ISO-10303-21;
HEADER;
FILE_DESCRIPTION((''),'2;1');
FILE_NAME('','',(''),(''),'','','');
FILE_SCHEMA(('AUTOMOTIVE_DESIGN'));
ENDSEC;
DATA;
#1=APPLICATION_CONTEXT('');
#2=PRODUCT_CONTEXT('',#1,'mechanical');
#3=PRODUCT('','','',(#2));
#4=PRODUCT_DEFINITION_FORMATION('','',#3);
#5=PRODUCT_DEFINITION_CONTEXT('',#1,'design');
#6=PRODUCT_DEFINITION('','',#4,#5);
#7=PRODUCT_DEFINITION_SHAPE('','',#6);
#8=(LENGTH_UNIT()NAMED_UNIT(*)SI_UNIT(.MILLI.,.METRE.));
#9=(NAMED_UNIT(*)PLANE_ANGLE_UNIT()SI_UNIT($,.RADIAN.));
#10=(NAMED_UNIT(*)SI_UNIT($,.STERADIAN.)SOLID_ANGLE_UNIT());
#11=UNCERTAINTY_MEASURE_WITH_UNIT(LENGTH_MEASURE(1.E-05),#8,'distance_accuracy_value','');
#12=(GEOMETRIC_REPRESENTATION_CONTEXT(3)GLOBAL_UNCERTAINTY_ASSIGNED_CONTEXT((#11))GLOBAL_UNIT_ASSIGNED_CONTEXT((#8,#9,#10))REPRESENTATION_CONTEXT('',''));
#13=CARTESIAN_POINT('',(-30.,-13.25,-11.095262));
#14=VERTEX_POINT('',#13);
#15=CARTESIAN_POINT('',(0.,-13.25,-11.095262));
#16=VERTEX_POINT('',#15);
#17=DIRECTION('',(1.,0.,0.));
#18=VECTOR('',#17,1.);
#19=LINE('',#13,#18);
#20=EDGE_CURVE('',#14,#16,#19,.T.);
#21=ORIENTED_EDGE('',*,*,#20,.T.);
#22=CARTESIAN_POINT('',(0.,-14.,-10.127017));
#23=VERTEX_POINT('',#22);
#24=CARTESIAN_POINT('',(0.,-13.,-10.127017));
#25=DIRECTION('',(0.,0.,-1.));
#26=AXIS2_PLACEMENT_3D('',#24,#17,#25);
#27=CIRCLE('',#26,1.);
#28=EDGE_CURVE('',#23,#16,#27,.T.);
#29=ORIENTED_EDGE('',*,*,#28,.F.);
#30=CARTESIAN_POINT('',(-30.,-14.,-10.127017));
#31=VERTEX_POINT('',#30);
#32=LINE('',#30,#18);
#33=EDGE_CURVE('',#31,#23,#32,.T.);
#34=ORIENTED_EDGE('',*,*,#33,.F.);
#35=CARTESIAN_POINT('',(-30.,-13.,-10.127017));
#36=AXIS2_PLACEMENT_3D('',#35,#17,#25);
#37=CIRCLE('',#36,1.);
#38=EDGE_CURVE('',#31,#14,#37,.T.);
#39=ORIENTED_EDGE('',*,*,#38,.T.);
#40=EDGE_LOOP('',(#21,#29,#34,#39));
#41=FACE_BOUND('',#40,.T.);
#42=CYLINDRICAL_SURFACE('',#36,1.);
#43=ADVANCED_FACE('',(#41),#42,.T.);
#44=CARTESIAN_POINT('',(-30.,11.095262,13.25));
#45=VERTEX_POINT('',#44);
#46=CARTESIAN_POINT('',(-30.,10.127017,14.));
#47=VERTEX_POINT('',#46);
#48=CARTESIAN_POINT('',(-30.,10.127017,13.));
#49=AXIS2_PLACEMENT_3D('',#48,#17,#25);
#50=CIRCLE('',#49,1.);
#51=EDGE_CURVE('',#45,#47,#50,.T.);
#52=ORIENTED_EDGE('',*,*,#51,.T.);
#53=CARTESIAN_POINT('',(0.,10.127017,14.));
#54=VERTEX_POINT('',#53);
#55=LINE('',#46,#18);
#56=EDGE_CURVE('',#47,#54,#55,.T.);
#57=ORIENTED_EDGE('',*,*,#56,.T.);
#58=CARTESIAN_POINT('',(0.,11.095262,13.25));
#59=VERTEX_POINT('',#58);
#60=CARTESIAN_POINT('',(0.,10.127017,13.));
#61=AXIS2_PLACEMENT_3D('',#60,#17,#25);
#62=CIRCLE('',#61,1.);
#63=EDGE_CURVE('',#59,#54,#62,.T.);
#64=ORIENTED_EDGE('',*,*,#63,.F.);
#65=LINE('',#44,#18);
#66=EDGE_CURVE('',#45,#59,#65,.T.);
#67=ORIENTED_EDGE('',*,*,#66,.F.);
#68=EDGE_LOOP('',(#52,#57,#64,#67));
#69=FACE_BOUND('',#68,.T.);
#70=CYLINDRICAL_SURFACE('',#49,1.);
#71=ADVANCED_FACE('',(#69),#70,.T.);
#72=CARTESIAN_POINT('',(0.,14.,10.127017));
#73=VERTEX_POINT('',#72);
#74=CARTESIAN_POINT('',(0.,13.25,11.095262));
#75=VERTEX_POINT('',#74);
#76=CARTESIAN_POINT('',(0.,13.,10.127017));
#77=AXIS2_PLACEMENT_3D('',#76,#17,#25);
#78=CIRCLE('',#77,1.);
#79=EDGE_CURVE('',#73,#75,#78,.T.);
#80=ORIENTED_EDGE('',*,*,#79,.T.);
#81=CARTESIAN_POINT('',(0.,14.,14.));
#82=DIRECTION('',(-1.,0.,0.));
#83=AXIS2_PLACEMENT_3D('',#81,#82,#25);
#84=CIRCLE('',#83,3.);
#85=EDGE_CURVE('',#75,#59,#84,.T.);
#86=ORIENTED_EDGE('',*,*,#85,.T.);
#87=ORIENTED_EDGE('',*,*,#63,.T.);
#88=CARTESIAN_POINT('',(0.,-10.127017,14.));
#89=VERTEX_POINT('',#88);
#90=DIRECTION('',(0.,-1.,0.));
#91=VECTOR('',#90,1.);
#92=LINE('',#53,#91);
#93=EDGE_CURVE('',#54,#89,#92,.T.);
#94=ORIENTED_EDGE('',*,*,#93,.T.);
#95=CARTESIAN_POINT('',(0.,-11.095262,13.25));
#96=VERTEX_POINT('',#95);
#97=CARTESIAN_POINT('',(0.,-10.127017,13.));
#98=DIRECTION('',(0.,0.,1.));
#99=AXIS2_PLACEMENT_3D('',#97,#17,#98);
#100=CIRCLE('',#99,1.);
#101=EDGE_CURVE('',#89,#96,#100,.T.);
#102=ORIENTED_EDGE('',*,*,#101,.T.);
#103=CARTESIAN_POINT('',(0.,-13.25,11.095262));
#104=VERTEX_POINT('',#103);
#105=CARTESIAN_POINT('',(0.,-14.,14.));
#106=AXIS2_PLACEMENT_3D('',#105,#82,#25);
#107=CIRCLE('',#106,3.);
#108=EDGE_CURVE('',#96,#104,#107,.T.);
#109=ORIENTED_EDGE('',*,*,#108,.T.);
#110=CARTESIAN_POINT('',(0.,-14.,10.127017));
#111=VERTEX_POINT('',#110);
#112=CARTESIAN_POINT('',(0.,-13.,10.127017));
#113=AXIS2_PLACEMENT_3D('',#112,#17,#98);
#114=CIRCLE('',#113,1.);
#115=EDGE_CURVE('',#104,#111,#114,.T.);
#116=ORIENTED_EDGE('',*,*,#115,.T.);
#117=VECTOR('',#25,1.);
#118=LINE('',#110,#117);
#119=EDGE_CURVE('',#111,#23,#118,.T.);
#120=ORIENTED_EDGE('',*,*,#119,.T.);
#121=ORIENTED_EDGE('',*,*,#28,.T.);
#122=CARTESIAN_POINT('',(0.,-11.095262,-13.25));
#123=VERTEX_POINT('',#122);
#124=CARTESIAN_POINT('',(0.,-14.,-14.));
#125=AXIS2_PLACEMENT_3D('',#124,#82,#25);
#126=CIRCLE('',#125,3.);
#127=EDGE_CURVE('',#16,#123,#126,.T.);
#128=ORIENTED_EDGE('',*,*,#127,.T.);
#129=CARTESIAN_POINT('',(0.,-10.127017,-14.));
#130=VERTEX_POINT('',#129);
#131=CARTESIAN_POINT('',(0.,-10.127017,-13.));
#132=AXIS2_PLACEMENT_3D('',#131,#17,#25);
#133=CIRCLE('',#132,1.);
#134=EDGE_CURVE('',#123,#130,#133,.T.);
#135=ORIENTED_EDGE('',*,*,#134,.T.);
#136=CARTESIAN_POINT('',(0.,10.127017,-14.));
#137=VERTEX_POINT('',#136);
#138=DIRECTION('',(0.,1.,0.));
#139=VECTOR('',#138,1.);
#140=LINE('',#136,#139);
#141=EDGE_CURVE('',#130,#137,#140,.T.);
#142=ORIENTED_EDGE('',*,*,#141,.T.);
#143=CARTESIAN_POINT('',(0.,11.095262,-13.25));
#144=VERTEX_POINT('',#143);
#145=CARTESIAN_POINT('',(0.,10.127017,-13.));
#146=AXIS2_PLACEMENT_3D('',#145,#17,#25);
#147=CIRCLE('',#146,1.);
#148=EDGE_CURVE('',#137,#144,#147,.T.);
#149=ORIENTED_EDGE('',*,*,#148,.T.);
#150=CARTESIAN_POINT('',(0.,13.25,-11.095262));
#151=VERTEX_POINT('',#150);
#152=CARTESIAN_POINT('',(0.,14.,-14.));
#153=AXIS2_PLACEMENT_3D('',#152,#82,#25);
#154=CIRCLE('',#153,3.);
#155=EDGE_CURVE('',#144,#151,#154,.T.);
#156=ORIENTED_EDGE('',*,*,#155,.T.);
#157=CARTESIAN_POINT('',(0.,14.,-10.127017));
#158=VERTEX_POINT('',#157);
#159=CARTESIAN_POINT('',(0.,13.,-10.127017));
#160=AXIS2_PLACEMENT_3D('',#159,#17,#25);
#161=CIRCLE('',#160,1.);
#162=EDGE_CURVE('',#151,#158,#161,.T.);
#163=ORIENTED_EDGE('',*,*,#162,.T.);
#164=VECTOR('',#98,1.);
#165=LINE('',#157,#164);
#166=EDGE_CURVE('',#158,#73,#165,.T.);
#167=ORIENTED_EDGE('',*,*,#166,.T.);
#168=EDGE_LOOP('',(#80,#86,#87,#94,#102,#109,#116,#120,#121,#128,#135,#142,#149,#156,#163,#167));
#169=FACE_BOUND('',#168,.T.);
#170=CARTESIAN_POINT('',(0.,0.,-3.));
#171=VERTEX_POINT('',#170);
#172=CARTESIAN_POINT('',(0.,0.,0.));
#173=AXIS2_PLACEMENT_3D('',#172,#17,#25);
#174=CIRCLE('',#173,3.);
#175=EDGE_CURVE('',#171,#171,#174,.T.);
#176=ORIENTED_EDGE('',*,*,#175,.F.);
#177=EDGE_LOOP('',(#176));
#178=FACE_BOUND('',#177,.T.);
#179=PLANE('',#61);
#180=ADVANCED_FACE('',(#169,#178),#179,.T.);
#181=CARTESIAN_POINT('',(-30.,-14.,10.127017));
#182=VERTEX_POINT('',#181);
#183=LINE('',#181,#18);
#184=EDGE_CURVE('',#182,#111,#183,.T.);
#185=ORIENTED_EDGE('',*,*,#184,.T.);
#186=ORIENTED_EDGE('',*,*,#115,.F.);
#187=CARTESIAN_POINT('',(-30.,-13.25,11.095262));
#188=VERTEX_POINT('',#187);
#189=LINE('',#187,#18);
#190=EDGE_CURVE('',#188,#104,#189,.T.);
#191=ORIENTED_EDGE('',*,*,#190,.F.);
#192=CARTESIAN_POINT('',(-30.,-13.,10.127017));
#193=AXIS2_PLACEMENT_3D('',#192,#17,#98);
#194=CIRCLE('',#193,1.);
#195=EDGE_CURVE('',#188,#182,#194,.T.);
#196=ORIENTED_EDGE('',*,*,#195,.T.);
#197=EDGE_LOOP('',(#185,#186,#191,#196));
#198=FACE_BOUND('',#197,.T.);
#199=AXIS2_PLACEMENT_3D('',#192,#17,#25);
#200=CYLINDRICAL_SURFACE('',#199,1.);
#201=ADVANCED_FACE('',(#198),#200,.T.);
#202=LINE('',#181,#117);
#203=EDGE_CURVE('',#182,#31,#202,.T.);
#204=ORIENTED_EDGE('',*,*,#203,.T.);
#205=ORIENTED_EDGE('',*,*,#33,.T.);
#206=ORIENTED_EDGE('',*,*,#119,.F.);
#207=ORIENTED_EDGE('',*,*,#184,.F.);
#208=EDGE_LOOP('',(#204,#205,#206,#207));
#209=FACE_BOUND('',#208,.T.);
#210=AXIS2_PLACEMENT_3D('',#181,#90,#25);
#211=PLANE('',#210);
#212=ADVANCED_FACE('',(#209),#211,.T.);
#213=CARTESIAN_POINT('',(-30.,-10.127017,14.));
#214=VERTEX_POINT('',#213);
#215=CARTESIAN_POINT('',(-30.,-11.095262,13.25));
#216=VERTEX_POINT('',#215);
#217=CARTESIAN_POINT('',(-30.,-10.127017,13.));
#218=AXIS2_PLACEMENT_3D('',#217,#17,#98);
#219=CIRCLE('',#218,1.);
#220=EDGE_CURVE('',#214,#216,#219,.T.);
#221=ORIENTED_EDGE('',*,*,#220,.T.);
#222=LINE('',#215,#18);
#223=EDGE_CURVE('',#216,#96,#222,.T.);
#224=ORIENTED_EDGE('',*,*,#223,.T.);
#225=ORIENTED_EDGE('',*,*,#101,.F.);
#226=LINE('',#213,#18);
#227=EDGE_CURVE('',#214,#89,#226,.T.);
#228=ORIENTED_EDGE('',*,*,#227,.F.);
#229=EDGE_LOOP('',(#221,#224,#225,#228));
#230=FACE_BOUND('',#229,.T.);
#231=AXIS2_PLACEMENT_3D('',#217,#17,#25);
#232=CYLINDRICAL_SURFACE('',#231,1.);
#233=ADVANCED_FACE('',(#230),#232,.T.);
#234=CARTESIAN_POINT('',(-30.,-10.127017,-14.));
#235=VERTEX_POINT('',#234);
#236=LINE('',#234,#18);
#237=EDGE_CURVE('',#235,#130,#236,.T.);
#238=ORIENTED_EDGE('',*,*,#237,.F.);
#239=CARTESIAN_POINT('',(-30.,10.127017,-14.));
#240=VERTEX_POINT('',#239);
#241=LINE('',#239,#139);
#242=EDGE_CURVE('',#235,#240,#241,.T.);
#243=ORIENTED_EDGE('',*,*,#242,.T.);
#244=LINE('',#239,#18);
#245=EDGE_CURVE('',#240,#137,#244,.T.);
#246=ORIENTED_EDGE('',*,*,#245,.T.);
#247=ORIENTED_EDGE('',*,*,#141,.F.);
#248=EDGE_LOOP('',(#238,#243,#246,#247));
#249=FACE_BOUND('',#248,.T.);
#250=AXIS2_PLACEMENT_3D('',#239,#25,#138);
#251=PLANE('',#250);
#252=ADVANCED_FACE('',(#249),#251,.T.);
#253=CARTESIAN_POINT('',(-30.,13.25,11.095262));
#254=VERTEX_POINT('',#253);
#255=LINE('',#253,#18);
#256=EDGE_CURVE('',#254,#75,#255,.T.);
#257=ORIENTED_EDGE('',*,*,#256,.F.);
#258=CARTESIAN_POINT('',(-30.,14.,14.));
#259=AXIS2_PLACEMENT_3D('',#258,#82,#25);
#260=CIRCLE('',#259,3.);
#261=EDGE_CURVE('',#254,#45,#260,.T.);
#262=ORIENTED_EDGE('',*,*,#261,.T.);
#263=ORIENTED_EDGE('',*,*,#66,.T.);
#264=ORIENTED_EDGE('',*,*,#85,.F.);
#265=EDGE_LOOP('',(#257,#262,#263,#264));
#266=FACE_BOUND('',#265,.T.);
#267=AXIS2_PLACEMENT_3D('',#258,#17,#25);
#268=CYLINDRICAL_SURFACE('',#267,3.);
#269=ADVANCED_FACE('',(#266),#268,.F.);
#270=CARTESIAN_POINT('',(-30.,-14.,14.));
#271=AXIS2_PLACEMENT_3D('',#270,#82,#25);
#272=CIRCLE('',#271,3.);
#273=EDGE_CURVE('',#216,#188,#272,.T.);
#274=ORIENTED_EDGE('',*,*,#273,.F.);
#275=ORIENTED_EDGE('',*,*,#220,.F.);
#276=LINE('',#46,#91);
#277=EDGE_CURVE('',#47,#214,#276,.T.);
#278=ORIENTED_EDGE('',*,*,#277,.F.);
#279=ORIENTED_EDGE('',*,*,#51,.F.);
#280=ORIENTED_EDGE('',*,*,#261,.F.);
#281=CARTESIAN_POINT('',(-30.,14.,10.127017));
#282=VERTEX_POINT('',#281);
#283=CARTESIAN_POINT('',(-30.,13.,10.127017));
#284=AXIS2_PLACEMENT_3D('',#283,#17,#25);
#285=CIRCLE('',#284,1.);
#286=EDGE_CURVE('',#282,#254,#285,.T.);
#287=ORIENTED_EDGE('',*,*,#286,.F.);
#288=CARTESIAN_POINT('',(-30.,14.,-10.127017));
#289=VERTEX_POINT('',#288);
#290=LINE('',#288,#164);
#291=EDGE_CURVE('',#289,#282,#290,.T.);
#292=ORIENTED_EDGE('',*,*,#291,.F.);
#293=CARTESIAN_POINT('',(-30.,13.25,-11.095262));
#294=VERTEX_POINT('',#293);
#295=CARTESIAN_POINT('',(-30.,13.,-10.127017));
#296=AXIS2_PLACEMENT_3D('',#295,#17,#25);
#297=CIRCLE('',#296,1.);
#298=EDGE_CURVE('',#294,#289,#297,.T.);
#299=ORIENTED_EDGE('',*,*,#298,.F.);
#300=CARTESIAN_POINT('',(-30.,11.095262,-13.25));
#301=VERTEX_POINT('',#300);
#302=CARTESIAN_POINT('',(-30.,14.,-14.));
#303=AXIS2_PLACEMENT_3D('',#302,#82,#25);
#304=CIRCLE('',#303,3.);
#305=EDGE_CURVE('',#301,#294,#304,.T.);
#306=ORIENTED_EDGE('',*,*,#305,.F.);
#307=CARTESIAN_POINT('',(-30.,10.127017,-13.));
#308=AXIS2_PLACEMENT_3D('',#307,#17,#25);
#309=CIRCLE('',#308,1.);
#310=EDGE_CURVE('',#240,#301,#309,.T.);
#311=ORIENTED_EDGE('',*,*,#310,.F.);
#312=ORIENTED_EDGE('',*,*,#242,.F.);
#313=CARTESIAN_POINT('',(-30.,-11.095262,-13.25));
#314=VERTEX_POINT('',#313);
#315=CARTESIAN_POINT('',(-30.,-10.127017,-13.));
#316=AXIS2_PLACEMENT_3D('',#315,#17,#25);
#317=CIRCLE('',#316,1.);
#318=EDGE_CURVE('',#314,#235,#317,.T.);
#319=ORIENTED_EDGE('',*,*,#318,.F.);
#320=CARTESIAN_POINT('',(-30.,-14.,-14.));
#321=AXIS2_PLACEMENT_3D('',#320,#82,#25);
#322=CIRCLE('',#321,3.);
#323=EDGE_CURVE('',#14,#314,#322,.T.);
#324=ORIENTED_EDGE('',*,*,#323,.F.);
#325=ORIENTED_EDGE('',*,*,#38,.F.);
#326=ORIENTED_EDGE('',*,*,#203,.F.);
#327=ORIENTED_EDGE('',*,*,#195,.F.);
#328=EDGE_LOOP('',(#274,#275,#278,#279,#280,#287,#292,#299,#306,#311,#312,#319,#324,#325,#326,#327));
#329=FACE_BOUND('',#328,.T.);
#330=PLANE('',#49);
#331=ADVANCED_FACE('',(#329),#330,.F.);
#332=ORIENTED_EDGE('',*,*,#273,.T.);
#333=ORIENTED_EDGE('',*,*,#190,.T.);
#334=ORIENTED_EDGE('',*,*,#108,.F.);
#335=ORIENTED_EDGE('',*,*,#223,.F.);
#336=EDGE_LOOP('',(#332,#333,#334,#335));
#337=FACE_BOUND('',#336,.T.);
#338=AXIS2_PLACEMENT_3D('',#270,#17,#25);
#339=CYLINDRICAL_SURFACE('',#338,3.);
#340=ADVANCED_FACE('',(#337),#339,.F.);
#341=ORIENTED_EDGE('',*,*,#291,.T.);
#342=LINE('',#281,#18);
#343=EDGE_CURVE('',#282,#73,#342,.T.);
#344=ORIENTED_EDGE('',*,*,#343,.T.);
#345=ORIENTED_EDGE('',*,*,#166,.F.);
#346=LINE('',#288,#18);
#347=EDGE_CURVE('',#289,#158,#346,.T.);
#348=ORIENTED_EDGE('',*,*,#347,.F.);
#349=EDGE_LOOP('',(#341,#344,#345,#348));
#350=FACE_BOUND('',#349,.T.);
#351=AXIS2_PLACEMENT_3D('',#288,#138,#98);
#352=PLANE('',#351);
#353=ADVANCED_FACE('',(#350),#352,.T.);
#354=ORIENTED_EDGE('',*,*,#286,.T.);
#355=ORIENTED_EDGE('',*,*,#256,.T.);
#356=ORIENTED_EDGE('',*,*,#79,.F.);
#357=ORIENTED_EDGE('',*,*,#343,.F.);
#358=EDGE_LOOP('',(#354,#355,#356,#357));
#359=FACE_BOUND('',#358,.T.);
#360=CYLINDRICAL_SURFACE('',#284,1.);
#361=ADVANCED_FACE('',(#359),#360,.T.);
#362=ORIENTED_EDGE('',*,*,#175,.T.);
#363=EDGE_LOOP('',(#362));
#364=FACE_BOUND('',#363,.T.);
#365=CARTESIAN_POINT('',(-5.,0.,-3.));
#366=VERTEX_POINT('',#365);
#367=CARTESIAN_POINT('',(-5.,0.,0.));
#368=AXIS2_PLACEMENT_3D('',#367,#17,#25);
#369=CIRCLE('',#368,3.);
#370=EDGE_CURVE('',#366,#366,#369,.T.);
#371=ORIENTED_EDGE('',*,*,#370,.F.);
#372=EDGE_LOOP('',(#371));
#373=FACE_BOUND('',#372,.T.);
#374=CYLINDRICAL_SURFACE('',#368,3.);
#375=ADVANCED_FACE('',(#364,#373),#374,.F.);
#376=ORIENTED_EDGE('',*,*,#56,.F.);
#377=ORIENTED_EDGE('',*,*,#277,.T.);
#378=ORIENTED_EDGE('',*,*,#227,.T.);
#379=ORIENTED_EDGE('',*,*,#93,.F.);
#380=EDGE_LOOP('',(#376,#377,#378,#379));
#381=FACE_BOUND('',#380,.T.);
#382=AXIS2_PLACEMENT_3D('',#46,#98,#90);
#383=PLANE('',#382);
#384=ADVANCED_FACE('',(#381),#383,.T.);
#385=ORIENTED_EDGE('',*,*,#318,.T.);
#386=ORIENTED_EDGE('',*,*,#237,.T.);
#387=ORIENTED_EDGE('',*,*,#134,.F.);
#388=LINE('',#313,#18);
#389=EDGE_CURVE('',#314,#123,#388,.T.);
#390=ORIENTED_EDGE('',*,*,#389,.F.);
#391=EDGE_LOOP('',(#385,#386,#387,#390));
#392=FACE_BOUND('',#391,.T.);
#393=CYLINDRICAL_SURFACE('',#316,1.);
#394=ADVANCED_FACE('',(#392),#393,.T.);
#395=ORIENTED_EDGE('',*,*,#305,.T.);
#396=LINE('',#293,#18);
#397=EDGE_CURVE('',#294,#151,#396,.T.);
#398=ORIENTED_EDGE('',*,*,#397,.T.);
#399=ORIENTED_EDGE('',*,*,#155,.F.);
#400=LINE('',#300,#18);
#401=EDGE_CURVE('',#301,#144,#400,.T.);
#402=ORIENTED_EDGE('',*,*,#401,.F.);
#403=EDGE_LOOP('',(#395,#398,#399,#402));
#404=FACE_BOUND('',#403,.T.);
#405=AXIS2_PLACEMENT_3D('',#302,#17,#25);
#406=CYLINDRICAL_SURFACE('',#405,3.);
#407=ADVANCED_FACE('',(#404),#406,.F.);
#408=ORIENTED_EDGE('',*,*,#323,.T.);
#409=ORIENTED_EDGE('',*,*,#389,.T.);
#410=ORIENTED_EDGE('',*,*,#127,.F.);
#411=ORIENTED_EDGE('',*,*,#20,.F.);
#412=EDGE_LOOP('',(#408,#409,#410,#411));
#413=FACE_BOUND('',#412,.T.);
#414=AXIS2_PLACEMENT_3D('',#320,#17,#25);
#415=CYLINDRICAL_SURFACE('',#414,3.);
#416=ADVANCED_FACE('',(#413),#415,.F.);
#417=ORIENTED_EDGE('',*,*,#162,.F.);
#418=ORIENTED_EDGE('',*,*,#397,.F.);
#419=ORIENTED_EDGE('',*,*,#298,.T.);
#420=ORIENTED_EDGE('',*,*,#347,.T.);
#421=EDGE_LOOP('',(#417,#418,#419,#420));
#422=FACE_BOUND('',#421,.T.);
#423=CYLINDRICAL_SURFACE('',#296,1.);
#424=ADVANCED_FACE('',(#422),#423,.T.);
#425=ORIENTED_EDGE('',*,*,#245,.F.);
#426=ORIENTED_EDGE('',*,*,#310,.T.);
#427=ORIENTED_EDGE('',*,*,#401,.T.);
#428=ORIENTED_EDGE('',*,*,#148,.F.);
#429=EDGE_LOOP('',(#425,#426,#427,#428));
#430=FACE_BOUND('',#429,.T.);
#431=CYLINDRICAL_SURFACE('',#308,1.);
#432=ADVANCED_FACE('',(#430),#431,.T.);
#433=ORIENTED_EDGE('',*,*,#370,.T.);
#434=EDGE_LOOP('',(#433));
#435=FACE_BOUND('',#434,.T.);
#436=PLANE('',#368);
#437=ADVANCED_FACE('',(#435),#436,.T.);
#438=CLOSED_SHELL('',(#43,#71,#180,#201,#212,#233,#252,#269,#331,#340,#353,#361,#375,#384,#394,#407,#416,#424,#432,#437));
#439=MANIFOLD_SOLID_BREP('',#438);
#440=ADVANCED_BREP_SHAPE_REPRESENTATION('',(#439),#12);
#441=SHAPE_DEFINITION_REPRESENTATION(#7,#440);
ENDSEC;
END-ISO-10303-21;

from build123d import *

# Parameters (mm, degrees)
EXTRUDE_1_DEPTH     = 30
SKETCH_2_R          = 3
CUT_EXTRUDE_1_DEPTH = 5


with BuildPart() as part:
    # 草图1 → 凸台-拉伸1 (new body)
    with BuildSketch(Plane(origin=(0, 0, 0), x_dir=(0, 0, -1), z_dir=(1, 0, 0))):
        with BuildLine():
            Line((-14, 10.127016654), (-14, -10.127016654))
            ThreePointArc((-14, -10.127016654), (-13.790569415, -10.739389089), (-13.25, -11.09526249))
            ThreePointArc((-13.25, -11.09526249), (-11.878679656, -11.878679656), (-11.09526249, -13.25))
            ThreePointArc((-11.09526249, -13.25), (-10.739389089, -13.790569415), (-10.127016654, -14))
            Line((-10.127016654, -14), (10.127016654, -14))
            ThreePointArc((10.127016654, -14), (10.739389089, -13.790569415), (11.09526249, -13.25))
            ThreePointArc((11.09526249, -13.25), (11.878679656, -11.878679656), (13.25, -11.09526249))
            ThreePointArc((13.25, -11.09526249), (13.790569415, -10.739389089), (14, -10.127016654))
            Line((14, -10.127016654), (14, 10.127016654))
            ThreePointArc((14, 10.127016654), (13.790569415, 10.739389089), (13.25, 11.09526249))
            ThreePointArc((13.25, 11.09526249), (11.878679656, 11.878679656), (11.09526249, 13.25))
            ThreePointArc((11.09526249, 13.25), (10.739389089, 13.790569415), (10.127016654, 14))
            Line((10.127016654, 14), (-10.127016654, 14))
            ThreePointArc((-10.127016654, 14), (-10.739389089, 13.790569415), (-11.09526249, 13.25))
            ThreePointArc((-11.09526249, 13.25), (-11.878679656, 11.878679656), (-13.25, 11.09526249))
            ThreePointArc((-13.25, 11.09526249), (-13.790569415, 10.739389089), (-14, 10.127016654))
        make_face()
    extrude(amount=-EXTRUDE_1_DEPTH)

    # 草图2 → 切除-拉伸1 (cut)
    with BuildSketch(Plane(origin=(0, 0, 0), x_dir=(0, 0, -1), z_dir=(1, 0, 0))):
        Circle(SKETCH_2_R)
    extrude(amount=-CUT_EXTRUDE_1_DEPTH, mode=Mode.SUBTRACT)


solid = part.part
